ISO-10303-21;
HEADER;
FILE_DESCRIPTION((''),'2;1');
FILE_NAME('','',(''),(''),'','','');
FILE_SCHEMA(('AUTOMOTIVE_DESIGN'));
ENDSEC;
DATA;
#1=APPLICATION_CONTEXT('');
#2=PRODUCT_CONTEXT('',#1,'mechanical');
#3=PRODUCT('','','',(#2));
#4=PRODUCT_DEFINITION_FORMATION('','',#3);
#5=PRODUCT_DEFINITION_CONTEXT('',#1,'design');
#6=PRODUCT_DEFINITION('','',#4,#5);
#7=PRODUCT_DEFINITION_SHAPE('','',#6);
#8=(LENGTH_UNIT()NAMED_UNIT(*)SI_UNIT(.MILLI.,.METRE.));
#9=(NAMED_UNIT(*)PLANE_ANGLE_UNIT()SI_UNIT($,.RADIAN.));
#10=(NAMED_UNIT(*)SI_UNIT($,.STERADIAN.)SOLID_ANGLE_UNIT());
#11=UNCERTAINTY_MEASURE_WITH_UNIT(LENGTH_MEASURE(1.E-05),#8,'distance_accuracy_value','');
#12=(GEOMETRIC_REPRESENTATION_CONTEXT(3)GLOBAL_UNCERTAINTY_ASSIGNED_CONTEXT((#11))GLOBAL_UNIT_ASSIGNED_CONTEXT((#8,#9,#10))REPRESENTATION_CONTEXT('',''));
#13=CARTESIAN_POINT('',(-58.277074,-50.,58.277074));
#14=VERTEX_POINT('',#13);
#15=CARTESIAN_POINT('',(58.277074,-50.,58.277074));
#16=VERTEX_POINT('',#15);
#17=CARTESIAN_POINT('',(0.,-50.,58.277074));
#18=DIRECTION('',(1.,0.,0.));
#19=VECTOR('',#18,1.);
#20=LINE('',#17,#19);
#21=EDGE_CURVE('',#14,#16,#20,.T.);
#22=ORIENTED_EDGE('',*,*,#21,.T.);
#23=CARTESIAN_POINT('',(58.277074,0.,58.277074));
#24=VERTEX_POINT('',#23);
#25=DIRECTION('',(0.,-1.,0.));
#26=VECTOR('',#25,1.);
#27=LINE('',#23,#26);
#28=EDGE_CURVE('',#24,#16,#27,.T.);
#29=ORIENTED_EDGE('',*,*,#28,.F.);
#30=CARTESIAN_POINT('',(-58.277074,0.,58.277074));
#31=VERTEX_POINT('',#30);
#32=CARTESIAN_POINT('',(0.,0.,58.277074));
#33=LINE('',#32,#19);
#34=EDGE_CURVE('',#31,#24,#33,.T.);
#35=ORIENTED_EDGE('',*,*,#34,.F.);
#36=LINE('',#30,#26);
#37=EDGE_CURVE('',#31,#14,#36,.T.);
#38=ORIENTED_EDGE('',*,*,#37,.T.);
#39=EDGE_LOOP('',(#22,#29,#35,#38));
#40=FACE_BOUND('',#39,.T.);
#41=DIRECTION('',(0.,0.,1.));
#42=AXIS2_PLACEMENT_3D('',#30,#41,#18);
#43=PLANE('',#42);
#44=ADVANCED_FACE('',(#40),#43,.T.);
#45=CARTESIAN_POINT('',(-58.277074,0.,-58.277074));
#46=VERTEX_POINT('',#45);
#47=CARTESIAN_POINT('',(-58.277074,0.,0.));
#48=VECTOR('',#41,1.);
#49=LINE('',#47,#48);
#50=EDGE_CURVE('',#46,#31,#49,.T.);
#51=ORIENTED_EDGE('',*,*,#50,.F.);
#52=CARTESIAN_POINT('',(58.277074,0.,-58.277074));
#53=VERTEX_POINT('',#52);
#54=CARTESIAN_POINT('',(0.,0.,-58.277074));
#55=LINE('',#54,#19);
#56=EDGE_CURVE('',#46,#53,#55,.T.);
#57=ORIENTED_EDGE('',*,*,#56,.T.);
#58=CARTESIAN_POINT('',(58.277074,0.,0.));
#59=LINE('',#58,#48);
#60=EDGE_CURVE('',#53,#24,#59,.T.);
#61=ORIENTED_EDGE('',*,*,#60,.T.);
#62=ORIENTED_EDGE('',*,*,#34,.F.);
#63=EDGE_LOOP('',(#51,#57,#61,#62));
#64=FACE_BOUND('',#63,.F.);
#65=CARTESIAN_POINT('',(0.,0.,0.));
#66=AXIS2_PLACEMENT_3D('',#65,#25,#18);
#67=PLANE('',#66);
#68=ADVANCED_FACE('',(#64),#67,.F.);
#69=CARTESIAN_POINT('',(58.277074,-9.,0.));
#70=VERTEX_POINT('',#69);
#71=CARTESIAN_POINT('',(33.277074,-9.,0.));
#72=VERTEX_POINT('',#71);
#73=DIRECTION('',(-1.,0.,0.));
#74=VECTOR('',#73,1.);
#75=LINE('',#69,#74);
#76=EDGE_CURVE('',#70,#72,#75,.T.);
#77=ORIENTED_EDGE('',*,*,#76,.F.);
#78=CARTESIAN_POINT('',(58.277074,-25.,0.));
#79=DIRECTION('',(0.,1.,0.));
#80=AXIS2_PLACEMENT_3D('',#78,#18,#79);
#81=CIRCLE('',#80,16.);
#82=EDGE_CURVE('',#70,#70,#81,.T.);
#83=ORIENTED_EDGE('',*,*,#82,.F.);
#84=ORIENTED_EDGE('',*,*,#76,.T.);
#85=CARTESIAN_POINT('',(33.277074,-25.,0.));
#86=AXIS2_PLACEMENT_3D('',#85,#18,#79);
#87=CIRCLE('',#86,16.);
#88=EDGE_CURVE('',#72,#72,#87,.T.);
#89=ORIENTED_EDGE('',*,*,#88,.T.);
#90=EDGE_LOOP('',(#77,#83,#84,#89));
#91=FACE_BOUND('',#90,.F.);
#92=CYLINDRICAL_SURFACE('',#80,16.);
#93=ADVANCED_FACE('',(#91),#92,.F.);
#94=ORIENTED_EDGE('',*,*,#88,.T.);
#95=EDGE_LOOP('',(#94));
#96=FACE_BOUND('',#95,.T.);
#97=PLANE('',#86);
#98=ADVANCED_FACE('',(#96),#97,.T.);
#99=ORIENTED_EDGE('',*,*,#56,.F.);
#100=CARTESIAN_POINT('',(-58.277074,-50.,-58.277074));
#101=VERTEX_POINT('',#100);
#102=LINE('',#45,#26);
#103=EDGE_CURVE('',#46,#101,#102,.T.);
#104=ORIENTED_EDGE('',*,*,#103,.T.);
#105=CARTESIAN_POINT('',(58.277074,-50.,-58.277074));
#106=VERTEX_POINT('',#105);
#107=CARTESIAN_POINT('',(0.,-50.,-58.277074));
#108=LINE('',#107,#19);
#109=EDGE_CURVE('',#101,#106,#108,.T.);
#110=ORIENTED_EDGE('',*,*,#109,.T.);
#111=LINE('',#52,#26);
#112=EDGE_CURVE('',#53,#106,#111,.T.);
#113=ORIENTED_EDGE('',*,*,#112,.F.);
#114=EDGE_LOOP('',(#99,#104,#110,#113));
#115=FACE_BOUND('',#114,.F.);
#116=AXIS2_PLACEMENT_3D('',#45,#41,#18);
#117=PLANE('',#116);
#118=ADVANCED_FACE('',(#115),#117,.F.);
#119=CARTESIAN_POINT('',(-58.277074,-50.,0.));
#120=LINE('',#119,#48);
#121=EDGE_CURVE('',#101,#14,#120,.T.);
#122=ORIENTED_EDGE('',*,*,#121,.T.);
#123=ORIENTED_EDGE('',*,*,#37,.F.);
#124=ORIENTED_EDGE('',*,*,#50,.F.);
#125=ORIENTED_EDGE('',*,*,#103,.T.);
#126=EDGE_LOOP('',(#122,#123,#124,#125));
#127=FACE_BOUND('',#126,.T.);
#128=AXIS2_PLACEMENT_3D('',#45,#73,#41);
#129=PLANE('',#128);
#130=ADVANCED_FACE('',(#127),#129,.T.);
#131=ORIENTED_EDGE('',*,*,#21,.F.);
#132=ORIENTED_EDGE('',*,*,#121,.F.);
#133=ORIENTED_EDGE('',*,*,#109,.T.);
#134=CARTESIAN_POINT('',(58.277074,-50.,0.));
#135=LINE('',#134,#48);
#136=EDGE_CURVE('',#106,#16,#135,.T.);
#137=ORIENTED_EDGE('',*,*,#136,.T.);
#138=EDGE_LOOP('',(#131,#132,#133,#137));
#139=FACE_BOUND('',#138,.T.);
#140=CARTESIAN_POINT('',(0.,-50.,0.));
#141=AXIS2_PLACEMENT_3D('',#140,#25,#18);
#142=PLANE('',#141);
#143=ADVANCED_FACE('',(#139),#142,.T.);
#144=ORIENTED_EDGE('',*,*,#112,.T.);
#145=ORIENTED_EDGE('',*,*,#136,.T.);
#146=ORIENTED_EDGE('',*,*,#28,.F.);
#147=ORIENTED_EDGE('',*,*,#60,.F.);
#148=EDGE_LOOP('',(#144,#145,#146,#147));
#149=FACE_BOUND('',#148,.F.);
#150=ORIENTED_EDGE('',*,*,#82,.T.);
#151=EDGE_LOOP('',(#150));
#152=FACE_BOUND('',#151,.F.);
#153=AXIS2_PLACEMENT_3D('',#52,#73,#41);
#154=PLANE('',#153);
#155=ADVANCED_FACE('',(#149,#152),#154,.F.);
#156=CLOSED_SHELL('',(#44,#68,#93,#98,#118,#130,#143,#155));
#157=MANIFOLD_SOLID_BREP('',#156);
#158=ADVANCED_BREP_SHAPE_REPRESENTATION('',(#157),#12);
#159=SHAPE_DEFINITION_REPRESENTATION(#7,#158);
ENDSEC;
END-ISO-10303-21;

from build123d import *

# Parameters (mm, degrees)
F0_W     = 116.554148
F0_H     = 116.554148
F1_DEPTH = 50
F2_R     = 16
F3_DEPTH = 25


with BuildPart() as f1:
    # F0 (on Front) → F1 (new body)
    with BuildSketch(Plane.XZ):
        Rectangle(F0_W, F0_H)
    extrude(amount=F1_DEPTH)

    # F2 (on face) → F3 (cut)
    with BuildSketch(Plane.YZ.offset(58.277074)):
        with Locations((-25, 0)):
            Circle(F2_R)
    extrude(amount=-F3_DEPTH, mode=Mode.SUBTRACT)


solid = f1.part
